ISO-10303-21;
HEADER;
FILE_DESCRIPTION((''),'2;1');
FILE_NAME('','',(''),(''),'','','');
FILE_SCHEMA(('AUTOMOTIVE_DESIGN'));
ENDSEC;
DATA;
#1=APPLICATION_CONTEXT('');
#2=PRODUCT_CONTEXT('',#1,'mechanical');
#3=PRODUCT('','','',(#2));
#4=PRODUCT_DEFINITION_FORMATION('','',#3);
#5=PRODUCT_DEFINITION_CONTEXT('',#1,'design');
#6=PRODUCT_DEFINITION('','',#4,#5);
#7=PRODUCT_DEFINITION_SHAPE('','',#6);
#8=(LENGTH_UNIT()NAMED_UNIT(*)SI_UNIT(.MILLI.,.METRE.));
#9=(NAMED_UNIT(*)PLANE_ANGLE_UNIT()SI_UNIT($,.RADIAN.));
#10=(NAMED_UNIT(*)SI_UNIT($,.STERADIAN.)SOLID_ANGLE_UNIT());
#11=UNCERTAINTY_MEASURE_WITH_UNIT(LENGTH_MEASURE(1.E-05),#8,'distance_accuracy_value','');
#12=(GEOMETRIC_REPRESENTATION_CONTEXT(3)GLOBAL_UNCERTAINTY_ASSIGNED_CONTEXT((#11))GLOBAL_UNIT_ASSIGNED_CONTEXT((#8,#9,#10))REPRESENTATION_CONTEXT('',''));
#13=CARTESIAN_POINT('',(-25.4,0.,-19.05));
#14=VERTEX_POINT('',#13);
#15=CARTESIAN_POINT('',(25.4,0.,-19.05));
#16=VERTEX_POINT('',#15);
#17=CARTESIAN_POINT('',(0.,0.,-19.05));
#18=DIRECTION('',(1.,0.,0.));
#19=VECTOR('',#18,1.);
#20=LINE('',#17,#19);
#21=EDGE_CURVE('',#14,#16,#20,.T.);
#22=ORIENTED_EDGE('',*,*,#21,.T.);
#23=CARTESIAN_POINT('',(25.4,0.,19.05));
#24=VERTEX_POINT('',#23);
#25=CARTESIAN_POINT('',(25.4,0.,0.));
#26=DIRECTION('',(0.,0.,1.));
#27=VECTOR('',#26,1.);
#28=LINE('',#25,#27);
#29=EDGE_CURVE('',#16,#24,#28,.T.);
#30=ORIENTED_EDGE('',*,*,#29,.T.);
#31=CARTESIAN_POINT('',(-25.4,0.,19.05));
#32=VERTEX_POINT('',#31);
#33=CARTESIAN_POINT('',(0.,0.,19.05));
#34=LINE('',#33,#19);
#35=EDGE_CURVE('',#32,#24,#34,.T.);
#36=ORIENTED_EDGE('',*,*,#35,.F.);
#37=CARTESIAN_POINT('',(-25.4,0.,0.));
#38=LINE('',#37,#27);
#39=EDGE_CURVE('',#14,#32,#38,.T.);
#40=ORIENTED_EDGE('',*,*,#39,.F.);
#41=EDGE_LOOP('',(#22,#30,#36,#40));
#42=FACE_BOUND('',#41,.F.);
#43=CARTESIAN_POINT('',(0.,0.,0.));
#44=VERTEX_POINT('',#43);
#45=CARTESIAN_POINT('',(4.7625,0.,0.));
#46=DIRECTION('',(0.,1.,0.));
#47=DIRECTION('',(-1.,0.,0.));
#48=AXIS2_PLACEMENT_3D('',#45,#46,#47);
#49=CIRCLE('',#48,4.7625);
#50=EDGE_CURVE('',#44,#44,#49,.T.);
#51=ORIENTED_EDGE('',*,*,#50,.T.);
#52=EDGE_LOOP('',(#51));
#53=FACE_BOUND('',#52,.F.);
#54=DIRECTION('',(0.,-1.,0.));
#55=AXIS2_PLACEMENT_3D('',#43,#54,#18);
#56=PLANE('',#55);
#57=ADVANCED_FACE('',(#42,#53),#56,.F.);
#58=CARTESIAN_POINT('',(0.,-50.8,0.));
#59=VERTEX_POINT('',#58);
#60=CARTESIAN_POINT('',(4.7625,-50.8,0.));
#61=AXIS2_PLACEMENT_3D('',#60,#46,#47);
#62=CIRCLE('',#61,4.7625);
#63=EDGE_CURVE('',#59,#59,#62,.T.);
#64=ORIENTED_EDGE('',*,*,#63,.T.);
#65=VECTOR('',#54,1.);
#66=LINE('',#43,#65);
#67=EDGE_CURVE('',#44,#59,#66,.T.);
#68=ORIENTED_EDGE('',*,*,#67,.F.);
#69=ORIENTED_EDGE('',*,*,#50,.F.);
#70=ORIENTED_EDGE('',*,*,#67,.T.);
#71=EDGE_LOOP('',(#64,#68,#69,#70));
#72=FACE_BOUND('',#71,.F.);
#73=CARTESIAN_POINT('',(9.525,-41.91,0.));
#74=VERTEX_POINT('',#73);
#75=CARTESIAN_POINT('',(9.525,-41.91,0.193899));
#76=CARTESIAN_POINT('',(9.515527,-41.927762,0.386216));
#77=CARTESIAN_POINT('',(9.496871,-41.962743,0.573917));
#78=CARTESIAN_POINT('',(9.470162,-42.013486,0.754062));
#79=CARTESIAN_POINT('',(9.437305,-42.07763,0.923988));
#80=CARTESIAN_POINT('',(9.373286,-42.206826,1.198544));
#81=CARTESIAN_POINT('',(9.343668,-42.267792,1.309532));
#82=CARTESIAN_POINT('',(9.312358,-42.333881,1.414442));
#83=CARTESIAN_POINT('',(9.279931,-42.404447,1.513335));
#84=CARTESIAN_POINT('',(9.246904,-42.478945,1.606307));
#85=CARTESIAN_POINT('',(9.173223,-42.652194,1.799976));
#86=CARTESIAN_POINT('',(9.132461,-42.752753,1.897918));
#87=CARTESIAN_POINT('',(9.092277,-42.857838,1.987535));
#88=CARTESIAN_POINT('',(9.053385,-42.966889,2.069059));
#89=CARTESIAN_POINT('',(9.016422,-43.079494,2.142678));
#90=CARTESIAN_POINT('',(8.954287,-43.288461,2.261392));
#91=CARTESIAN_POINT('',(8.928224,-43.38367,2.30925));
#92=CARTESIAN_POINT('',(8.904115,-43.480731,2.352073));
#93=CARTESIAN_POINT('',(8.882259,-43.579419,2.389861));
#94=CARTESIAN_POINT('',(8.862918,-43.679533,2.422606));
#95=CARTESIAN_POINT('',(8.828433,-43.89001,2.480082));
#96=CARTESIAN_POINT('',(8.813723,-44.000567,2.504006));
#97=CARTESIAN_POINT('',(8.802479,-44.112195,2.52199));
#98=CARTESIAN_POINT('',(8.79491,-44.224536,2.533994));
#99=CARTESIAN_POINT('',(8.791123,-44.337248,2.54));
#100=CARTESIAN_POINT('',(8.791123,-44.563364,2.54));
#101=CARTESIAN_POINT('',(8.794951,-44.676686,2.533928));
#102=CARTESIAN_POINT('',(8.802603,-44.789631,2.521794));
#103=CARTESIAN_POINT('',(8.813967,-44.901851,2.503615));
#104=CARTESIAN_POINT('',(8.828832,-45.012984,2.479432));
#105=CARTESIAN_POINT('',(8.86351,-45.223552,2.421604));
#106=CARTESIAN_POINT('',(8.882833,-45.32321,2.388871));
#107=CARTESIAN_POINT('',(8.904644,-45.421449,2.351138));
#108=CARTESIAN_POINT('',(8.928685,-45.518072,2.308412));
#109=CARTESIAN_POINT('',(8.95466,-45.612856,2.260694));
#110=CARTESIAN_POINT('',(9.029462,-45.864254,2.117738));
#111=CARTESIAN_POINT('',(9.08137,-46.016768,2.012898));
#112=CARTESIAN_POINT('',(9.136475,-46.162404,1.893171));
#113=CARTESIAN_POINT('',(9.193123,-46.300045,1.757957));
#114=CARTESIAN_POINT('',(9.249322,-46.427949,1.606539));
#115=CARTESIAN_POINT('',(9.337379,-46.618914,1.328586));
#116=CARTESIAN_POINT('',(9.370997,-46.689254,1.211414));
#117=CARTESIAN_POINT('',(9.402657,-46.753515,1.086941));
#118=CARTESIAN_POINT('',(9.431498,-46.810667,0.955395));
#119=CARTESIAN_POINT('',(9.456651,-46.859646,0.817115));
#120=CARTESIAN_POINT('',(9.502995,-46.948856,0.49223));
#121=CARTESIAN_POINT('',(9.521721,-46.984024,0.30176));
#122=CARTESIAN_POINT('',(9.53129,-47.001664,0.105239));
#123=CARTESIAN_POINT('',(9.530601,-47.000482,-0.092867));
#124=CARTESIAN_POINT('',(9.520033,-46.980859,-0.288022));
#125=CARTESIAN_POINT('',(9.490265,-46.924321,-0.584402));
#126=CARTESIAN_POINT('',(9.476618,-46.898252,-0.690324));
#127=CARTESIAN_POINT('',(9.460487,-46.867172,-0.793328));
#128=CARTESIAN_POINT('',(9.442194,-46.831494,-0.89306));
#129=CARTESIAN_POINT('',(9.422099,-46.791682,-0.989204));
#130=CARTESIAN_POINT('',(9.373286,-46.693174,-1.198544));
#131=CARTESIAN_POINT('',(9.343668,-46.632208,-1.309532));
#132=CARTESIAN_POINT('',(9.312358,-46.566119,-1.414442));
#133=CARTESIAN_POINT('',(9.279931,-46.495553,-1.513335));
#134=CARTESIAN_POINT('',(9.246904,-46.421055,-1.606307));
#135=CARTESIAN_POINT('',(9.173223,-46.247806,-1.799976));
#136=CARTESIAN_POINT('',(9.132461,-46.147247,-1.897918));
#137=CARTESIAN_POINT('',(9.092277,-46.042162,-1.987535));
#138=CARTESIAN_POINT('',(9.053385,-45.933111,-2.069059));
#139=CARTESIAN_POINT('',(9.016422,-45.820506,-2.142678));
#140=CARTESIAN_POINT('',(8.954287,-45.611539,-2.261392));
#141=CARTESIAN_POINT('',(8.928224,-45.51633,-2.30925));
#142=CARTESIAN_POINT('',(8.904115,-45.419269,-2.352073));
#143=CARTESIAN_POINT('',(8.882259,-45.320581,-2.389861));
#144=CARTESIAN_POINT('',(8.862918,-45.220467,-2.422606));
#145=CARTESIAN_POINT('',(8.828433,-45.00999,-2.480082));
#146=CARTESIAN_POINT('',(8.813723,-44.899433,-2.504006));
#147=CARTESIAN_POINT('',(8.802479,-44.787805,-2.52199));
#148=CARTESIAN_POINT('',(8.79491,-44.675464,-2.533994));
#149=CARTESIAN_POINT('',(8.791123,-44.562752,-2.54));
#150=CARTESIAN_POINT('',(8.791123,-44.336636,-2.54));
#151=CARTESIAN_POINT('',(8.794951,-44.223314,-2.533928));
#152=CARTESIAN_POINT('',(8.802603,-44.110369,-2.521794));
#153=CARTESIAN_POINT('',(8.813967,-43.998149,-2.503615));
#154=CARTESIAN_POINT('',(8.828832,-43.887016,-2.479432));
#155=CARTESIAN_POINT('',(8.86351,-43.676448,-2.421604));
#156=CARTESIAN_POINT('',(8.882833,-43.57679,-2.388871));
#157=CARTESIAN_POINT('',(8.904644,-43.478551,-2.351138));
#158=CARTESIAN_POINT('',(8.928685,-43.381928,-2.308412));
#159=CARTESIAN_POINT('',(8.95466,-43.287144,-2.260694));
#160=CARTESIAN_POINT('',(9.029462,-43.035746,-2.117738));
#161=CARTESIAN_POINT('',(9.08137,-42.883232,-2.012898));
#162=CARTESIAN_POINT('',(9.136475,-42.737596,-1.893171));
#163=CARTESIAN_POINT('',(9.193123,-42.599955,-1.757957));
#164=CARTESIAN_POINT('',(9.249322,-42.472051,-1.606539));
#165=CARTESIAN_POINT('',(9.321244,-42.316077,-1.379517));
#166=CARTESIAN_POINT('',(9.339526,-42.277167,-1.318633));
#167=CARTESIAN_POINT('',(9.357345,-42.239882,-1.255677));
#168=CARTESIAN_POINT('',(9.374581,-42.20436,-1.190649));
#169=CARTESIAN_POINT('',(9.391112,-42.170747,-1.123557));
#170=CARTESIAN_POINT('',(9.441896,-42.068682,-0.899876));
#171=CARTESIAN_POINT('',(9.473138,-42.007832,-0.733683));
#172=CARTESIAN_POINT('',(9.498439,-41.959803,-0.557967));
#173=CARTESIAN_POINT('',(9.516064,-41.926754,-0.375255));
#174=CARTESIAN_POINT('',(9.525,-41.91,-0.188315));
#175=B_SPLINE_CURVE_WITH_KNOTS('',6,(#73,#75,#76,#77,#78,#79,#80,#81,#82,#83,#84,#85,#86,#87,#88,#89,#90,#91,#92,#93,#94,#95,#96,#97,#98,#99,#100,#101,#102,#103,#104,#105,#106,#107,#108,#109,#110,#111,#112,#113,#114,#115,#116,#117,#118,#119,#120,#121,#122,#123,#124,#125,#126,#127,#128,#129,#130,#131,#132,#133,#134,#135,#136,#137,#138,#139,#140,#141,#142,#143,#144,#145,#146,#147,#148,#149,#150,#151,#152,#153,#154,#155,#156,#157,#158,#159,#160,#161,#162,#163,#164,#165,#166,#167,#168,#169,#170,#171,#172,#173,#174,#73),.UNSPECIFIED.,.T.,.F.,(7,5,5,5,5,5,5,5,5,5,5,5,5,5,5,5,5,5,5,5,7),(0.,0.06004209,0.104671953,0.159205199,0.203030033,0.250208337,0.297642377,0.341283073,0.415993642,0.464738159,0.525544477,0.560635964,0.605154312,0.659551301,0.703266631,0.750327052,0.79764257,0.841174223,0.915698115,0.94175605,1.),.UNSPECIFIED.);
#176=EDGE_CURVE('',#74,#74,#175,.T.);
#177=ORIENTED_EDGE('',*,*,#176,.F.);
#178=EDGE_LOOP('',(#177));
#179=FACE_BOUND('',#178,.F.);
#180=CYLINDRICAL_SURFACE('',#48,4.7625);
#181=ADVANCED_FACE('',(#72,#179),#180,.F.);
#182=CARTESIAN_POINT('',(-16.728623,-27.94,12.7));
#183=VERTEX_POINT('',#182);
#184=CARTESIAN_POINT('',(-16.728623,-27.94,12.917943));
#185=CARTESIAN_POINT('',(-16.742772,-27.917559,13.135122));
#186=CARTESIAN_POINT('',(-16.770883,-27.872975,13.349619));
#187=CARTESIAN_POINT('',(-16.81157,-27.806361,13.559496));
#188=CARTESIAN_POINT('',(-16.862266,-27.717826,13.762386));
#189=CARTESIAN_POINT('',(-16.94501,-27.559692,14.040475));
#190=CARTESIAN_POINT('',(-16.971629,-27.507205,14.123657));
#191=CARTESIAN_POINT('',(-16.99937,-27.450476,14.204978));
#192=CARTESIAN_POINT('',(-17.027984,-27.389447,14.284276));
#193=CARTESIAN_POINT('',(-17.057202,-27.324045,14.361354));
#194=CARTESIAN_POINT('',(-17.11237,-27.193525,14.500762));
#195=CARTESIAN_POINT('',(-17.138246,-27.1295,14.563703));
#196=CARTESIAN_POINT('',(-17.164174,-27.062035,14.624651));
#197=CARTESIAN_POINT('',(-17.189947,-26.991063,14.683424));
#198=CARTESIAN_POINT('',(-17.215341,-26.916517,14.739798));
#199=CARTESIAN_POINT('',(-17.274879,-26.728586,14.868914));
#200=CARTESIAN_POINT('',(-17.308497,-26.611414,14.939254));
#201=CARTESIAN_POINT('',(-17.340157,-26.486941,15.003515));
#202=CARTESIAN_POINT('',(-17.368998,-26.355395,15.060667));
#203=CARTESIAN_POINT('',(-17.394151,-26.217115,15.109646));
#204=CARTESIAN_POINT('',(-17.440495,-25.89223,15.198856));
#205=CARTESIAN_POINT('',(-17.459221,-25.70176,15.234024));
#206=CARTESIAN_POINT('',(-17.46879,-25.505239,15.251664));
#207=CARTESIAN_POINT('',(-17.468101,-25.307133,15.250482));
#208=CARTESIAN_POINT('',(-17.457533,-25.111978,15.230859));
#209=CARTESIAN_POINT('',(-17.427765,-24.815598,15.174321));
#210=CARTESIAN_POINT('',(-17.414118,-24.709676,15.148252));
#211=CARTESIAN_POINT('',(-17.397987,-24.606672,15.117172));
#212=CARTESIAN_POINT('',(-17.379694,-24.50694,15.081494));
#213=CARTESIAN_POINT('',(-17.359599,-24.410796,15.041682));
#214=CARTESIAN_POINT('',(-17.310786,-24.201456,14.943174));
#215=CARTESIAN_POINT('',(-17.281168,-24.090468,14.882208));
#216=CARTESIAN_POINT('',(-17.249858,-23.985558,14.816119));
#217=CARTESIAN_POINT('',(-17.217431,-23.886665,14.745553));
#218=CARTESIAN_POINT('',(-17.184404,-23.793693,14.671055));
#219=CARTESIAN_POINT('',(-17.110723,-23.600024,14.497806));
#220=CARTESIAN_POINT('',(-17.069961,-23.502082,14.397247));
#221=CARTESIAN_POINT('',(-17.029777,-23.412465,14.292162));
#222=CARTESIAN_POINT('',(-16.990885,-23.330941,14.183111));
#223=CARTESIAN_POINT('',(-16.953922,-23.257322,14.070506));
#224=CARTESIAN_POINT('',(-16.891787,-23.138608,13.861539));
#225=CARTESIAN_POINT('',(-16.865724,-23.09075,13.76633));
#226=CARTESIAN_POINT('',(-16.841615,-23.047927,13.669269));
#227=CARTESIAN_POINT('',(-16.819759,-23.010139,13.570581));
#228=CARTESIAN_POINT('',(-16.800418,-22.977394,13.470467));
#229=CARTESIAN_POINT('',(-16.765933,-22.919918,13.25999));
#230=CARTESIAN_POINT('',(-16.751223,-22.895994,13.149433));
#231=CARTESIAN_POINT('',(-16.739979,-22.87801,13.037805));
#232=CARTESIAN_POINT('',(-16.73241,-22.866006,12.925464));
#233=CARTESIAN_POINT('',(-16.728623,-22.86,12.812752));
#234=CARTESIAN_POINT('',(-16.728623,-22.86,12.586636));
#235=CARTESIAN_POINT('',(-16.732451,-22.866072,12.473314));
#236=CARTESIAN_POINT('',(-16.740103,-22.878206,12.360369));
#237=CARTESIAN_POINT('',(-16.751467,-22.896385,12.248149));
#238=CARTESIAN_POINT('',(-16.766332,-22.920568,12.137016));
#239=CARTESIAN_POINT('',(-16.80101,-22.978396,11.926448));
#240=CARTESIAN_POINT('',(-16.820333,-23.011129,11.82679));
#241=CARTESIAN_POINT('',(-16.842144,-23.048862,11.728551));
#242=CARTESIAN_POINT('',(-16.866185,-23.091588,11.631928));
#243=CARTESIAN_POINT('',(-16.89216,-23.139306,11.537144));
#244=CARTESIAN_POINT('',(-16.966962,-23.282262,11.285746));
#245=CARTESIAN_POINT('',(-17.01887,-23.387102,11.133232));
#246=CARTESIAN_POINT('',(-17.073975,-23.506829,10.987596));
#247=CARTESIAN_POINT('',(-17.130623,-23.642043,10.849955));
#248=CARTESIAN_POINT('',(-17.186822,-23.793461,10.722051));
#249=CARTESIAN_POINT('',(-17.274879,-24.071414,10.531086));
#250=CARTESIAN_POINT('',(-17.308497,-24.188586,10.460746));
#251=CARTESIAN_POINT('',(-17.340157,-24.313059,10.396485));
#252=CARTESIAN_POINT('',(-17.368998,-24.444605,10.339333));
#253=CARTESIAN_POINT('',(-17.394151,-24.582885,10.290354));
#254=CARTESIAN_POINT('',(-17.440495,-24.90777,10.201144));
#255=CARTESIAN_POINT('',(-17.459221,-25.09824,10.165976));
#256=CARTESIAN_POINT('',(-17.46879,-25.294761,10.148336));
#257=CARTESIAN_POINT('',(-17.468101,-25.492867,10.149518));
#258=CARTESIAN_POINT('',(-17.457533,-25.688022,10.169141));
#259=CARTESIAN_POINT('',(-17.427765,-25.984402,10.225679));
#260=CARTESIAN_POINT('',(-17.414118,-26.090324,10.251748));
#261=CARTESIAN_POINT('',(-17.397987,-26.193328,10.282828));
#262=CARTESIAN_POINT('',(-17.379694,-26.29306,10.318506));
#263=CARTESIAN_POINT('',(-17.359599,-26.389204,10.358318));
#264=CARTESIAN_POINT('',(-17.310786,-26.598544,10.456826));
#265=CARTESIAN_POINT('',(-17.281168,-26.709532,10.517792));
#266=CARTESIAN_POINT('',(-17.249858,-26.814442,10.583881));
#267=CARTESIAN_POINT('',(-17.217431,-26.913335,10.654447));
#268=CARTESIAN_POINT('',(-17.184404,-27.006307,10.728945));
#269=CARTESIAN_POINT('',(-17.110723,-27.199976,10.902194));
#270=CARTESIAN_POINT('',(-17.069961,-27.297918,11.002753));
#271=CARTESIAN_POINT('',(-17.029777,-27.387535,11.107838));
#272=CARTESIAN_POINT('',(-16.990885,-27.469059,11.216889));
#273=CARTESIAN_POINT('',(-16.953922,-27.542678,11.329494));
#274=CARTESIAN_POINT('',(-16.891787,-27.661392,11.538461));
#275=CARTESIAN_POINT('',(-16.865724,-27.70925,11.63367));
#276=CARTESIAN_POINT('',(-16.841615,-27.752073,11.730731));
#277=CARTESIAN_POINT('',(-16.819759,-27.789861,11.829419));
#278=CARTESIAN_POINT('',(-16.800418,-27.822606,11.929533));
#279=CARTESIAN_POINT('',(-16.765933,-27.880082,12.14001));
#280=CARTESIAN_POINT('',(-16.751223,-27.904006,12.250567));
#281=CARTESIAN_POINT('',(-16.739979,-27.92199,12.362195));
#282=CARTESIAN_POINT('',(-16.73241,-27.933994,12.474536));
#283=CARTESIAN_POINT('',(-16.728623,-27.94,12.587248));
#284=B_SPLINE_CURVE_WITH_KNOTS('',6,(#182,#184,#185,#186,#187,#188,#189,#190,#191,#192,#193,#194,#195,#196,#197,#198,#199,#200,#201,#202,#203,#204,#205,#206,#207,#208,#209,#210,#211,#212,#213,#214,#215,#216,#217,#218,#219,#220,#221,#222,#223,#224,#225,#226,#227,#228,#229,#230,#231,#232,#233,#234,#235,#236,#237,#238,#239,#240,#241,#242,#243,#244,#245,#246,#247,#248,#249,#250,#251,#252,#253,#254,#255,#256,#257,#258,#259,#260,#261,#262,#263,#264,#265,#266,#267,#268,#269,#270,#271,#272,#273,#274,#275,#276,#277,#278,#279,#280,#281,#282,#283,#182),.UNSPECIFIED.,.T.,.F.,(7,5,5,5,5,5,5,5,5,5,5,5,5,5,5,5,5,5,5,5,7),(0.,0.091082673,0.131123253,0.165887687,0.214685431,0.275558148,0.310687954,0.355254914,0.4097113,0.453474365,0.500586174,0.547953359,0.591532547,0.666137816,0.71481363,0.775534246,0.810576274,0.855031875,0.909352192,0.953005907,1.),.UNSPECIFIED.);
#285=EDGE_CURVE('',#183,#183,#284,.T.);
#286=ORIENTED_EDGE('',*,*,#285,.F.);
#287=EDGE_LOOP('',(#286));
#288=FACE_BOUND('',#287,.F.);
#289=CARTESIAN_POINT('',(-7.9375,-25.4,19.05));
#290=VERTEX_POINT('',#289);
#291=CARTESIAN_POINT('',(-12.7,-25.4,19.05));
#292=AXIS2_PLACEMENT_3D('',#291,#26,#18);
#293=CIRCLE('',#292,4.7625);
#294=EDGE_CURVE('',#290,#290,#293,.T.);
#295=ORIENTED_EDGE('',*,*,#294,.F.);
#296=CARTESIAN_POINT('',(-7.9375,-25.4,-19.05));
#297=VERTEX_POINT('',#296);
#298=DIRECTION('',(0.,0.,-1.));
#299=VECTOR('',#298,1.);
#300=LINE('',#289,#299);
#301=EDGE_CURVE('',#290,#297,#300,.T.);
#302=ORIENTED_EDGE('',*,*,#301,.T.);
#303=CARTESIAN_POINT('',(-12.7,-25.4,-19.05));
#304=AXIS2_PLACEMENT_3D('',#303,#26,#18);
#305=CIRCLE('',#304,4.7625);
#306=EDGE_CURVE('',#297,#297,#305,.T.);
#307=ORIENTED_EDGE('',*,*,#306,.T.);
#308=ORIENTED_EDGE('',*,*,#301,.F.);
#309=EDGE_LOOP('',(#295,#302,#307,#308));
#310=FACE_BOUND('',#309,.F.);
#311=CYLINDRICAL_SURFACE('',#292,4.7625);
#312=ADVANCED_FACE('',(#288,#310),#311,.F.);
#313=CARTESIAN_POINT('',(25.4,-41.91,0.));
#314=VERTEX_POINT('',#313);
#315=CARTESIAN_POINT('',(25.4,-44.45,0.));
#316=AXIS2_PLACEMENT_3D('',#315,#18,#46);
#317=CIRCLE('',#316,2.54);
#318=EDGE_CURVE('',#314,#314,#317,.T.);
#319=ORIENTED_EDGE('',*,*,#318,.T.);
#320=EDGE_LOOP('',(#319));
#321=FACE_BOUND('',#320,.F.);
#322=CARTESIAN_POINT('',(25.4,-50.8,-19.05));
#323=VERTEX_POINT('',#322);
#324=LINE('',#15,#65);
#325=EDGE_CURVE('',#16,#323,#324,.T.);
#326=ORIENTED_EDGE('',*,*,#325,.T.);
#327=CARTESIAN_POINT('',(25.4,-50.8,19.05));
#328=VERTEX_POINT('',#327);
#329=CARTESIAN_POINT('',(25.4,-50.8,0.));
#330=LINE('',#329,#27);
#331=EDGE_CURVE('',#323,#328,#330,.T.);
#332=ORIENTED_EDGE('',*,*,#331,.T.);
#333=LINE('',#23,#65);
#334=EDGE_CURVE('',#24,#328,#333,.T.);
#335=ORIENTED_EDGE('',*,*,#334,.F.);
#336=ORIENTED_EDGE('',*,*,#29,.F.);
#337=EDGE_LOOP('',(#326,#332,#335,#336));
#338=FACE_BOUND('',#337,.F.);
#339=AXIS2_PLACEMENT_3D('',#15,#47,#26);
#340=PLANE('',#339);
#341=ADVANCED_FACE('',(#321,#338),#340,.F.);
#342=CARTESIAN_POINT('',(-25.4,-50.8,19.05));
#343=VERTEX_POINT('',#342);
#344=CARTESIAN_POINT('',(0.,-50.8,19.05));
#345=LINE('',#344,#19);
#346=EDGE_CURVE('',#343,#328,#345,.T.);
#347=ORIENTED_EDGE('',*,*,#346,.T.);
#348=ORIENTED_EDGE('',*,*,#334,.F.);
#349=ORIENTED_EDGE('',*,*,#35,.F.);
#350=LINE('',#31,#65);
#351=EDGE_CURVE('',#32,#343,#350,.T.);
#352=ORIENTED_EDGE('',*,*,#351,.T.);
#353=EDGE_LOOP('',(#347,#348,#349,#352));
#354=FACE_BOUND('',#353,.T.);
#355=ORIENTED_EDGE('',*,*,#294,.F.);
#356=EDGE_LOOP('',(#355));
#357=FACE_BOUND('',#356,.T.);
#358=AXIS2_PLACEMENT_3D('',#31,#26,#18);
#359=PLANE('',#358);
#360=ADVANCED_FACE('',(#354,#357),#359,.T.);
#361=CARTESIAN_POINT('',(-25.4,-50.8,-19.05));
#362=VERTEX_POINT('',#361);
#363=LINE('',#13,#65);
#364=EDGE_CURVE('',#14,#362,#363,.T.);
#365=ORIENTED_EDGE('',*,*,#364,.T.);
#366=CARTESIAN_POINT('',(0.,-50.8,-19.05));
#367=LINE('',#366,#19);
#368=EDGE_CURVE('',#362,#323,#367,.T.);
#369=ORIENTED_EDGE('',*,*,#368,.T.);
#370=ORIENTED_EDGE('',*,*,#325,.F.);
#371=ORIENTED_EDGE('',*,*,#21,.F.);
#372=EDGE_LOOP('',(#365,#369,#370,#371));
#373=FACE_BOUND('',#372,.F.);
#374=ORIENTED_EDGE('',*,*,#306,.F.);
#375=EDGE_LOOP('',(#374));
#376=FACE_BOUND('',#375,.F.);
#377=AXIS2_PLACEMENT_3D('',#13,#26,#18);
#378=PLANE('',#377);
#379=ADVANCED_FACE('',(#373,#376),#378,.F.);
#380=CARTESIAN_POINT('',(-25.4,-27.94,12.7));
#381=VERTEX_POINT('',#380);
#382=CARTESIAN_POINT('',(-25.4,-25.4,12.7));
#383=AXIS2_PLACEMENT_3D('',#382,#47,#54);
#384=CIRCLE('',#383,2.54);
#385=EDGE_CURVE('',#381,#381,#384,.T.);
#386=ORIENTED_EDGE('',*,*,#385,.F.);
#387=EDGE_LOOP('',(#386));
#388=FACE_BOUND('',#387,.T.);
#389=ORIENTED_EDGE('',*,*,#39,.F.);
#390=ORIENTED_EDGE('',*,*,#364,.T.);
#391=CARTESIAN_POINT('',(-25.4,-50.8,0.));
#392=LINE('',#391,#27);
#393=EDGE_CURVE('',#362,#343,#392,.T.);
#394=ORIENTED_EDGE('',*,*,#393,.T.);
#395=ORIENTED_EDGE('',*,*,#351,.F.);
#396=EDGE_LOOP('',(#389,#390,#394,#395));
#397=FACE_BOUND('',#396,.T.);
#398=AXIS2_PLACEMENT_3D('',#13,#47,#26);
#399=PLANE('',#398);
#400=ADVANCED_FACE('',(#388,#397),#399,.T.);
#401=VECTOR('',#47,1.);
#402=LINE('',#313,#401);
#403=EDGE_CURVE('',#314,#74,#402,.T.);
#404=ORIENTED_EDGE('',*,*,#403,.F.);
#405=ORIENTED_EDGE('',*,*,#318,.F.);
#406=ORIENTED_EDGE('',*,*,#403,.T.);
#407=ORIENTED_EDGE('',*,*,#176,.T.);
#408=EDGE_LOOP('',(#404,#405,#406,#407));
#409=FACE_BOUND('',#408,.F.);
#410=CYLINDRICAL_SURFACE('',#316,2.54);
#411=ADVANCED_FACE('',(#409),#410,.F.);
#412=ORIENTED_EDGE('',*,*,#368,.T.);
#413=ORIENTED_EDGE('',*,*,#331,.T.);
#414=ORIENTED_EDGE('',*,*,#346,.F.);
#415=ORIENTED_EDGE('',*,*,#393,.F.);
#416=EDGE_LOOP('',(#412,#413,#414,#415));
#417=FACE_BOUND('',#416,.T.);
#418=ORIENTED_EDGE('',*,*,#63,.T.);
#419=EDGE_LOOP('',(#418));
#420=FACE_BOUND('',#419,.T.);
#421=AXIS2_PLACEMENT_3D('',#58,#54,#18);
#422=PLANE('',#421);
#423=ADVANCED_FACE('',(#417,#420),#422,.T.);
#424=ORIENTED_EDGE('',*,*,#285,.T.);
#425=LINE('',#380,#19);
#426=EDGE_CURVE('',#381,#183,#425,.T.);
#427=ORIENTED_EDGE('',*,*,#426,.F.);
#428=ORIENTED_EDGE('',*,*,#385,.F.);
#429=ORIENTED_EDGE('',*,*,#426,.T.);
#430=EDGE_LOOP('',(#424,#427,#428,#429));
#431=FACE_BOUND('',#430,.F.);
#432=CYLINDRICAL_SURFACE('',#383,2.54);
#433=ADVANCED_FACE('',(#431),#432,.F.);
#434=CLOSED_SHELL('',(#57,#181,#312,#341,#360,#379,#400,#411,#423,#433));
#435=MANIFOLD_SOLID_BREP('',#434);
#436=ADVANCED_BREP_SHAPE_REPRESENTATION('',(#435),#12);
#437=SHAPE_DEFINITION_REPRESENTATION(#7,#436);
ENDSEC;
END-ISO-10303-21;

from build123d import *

# Parameters (mm, degrees)
F0_W     = 50.8
F0_H     = 38.1
F1_DEPTH = 50.8
F2_R     = 4.7625
F3_DEPTH = 50.801
F4_R     = 4.7625
F5_DEPTH = 38.101
F6_R     = 2.54
F7_DEPTH = 12.7
F8_R     = 2.54
F9_DEPTH = 19.05


with BuildPart() as f1:
    # F0 (on Front) → F1 (new body)
    with BuildSketch(Plane.XZ):
        Rectangle(F0_W, F0_H)
    extrude(amount=F1_DEPTH)

    # F2 (on face) → F3 (cut, through all)
    with BuildSketch(Plane(origin=(0, 0, 0), x_dir=(-1, 0, 0), z_dir=(0, 1, 0))):
        with Locations((-4.7625, 0)):
            Circle(F2_R)
    extrude(amount=-F3_DEPTH, mode=Mode.SUBTRACT)

    # F4 (on face) → F5 (cut, through all)
    with BuildSketch(Plane.XY.offset(19.05)):
        with Locations((-12.7, -25.4)):
            Circle(F4_R)
    extrude(amount=-F5_DEPTH, mode=Mode.SUBTRACT)

    # F6 (on face) → F7 (cut)
    with BuildSketch(Plane(origin=(-25.4, 0, 0), x_dir=(0, -1, 0), z_dir=(-1, 0, 0))):
        with Locations((25.4, 12.7)):
            Circle(F6_R)
    extrude(amount=-F7_DEPTH, mode=Mode.SUBTRACT)

    # F8 (on face) → F9 (cut)
    with BuildSketch(Plane.YZ.offset(25.4)):
        with Locations((-44.45, 0)):
            Circle(F8_R)
    extrude(amount=-F9_DEPTH, mode=Mode.SUBTRACT)


solid = f1.part
